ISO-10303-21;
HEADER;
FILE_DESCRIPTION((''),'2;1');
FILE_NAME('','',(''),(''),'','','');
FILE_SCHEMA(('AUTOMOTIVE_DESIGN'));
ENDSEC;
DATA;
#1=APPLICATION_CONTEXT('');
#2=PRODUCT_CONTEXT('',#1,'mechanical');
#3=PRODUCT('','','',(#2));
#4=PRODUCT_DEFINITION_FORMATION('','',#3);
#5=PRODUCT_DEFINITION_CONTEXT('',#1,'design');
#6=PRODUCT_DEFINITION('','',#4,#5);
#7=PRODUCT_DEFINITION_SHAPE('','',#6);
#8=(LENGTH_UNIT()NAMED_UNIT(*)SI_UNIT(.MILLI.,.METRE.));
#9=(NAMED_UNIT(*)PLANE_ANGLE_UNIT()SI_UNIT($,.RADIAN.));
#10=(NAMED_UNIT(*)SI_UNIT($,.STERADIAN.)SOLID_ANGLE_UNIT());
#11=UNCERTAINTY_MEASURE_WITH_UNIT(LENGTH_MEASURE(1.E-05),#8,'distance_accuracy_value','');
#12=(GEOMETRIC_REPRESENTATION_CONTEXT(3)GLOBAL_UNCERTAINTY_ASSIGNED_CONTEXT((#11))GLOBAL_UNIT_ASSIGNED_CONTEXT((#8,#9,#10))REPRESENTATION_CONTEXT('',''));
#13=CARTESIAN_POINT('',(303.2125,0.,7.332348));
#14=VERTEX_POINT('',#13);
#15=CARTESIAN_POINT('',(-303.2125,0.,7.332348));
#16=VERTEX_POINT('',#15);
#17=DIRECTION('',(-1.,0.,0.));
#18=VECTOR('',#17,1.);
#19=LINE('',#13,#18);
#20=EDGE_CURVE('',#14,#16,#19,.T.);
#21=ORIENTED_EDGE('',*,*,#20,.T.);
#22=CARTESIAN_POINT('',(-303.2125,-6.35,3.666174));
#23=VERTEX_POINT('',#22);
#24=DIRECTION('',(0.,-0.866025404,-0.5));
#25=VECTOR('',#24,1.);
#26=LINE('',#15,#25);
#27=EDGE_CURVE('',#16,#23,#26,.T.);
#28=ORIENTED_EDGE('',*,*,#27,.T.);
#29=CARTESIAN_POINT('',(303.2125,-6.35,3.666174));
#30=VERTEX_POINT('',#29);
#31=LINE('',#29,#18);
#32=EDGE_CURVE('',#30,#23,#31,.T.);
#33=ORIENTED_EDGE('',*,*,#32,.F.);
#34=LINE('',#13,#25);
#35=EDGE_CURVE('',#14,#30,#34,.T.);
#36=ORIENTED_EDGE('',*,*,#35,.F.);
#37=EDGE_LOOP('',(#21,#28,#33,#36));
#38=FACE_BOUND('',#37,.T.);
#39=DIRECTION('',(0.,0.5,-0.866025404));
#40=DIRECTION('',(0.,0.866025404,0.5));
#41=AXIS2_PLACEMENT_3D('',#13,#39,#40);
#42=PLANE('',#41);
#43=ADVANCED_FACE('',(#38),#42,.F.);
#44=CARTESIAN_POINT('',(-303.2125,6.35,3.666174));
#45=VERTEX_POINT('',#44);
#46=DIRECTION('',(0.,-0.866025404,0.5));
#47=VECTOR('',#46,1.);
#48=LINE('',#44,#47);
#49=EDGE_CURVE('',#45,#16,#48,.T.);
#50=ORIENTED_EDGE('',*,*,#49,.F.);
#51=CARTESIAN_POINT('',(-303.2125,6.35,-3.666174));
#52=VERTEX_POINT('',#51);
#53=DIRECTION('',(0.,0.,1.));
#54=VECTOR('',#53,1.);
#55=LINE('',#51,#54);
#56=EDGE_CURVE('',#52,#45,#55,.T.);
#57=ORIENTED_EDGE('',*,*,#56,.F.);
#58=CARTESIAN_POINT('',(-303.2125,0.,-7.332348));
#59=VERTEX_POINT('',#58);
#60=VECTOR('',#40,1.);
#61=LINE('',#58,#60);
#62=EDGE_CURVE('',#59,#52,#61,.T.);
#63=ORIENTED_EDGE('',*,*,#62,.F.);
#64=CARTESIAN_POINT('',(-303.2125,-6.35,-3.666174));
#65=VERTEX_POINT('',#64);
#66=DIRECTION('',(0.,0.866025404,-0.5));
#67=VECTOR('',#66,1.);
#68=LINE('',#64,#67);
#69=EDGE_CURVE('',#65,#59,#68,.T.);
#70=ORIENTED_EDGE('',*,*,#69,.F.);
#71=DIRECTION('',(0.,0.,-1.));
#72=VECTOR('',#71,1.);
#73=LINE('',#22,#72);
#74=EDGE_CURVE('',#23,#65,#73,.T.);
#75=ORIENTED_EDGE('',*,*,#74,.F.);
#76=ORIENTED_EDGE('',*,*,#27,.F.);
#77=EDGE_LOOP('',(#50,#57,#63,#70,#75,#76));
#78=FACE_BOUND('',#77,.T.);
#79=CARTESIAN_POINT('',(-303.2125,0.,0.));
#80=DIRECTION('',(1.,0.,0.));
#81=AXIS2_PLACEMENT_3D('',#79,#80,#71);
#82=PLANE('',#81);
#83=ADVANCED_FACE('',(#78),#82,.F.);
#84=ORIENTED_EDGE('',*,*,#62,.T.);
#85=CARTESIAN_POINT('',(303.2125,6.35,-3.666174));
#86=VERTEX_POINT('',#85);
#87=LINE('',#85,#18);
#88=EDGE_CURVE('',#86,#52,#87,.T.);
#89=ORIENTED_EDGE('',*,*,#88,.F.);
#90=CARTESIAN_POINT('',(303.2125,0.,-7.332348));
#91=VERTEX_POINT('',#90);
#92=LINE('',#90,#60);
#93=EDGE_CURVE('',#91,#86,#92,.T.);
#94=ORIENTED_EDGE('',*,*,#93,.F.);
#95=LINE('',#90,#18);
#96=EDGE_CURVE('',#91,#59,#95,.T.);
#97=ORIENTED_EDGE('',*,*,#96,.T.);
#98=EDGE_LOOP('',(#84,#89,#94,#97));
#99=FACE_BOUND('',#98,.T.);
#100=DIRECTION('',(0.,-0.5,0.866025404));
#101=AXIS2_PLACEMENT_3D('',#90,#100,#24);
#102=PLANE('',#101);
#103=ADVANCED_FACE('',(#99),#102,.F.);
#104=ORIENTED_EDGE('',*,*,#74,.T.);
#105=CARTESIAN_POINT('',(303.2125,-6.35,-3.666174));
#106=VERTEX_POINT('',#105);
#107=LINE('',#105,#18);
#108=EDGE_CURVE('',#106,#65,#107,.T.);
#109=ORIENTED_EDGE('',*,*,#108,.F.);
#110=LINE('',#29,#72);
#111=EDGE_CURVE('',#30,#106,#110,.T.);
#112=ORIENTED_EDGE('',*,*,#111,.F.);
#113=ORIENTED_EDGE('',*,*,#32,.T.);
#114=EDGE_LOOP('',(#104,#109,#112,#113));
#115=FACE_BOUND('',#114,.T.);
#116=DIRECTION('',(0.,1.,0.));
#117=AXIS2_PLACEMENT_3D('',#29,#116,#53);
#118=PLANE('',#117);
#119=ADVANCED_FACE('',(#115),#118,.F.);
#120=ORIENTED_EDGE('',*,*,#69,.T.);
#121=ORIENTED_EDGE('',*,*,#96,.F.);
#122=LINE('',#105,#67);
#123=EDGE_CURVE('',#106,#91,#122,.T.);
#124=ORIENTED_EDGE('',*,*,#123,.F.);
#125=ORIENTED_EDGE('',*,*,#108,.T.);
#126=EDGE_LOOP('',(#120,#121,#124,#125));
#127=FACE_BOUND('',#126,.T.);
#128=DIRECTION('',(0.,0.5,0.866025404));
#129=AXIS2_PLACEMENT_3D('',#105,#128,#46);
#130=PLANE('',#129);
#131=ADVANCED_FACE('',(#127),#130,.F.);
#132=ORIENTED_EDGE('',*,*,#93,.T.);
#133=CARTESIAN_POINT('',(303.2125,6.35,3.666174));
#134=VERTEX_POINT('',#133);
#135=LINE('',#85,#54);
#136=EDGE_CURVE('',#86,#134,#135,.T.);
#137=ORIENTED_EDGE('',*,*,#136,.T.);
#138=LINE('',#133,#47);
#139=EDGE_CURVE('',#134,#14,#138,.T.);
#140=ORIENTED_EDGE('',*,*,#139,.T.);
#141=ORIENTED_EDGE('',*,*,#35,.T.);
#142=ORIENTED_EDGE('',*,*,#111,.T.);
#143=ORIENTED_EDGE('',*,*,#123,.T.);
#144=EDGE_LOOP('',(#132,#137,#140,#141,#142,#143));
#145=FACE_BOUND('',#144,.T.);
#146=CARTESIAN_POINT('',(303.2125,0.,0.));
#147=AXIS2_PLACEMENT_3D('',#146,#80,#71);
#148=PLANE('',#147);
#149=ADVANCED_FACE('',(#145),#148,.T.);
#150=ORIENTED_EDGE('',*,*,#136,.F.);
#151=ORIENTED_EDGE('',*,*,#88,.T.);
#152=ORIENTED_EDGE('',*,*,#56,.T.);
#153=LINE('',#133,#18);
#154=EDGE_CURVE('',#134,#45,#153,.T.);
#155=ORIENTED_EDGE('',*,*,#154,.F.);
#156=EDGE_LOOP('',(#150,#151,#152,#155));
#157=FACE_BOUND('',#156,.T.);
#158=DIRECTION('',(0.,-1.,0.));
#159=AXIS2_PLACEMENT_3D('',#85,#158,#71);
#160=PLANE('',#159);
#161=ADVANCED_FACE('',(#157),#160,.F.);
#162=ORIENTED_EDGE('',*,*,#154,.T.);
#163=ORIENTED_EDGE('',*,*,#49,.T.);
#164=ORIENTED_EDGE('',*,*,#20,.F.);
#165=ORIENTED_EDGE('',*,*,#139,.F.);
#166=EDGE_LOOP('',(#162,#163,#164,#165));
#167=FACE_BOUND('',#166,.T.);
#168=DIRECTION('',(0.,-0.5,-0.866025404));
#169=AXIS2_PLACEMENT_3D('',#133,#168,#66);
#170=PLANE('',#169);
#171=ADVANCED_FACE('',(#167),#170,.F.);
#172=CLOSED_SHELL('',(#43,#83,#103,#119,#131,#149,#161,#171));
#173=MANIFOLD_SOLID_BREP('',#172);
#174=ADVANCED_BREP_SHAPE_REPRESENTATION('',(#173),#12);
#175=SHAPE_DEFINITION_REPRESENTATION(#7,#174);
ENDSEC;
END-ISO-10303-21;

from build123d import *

# Parameters (mm, degrees)
BOSS_EXTRUDE1_DEPTH = 303.2125


with BuildPart() as part:
    # Sketch1 → Boss-Extrude1 (new body, symmetric)
    with BuildSketch(Plane(origin=(0, 0, 0), x_dir=(0, 0, -1), z_dir=(1, 0, 0))):
        Polygon((7.332348419, 0), (3.666174209, 6.35), (-3.666174209, 6.35), (-7.332348419, 0), (-3.666174209, -6.35), (3.666174209, -6.35), align=None)
    extrude(amount=BOSS_EXTRUDE1_DEPTH, both=True)


solid = part.part
